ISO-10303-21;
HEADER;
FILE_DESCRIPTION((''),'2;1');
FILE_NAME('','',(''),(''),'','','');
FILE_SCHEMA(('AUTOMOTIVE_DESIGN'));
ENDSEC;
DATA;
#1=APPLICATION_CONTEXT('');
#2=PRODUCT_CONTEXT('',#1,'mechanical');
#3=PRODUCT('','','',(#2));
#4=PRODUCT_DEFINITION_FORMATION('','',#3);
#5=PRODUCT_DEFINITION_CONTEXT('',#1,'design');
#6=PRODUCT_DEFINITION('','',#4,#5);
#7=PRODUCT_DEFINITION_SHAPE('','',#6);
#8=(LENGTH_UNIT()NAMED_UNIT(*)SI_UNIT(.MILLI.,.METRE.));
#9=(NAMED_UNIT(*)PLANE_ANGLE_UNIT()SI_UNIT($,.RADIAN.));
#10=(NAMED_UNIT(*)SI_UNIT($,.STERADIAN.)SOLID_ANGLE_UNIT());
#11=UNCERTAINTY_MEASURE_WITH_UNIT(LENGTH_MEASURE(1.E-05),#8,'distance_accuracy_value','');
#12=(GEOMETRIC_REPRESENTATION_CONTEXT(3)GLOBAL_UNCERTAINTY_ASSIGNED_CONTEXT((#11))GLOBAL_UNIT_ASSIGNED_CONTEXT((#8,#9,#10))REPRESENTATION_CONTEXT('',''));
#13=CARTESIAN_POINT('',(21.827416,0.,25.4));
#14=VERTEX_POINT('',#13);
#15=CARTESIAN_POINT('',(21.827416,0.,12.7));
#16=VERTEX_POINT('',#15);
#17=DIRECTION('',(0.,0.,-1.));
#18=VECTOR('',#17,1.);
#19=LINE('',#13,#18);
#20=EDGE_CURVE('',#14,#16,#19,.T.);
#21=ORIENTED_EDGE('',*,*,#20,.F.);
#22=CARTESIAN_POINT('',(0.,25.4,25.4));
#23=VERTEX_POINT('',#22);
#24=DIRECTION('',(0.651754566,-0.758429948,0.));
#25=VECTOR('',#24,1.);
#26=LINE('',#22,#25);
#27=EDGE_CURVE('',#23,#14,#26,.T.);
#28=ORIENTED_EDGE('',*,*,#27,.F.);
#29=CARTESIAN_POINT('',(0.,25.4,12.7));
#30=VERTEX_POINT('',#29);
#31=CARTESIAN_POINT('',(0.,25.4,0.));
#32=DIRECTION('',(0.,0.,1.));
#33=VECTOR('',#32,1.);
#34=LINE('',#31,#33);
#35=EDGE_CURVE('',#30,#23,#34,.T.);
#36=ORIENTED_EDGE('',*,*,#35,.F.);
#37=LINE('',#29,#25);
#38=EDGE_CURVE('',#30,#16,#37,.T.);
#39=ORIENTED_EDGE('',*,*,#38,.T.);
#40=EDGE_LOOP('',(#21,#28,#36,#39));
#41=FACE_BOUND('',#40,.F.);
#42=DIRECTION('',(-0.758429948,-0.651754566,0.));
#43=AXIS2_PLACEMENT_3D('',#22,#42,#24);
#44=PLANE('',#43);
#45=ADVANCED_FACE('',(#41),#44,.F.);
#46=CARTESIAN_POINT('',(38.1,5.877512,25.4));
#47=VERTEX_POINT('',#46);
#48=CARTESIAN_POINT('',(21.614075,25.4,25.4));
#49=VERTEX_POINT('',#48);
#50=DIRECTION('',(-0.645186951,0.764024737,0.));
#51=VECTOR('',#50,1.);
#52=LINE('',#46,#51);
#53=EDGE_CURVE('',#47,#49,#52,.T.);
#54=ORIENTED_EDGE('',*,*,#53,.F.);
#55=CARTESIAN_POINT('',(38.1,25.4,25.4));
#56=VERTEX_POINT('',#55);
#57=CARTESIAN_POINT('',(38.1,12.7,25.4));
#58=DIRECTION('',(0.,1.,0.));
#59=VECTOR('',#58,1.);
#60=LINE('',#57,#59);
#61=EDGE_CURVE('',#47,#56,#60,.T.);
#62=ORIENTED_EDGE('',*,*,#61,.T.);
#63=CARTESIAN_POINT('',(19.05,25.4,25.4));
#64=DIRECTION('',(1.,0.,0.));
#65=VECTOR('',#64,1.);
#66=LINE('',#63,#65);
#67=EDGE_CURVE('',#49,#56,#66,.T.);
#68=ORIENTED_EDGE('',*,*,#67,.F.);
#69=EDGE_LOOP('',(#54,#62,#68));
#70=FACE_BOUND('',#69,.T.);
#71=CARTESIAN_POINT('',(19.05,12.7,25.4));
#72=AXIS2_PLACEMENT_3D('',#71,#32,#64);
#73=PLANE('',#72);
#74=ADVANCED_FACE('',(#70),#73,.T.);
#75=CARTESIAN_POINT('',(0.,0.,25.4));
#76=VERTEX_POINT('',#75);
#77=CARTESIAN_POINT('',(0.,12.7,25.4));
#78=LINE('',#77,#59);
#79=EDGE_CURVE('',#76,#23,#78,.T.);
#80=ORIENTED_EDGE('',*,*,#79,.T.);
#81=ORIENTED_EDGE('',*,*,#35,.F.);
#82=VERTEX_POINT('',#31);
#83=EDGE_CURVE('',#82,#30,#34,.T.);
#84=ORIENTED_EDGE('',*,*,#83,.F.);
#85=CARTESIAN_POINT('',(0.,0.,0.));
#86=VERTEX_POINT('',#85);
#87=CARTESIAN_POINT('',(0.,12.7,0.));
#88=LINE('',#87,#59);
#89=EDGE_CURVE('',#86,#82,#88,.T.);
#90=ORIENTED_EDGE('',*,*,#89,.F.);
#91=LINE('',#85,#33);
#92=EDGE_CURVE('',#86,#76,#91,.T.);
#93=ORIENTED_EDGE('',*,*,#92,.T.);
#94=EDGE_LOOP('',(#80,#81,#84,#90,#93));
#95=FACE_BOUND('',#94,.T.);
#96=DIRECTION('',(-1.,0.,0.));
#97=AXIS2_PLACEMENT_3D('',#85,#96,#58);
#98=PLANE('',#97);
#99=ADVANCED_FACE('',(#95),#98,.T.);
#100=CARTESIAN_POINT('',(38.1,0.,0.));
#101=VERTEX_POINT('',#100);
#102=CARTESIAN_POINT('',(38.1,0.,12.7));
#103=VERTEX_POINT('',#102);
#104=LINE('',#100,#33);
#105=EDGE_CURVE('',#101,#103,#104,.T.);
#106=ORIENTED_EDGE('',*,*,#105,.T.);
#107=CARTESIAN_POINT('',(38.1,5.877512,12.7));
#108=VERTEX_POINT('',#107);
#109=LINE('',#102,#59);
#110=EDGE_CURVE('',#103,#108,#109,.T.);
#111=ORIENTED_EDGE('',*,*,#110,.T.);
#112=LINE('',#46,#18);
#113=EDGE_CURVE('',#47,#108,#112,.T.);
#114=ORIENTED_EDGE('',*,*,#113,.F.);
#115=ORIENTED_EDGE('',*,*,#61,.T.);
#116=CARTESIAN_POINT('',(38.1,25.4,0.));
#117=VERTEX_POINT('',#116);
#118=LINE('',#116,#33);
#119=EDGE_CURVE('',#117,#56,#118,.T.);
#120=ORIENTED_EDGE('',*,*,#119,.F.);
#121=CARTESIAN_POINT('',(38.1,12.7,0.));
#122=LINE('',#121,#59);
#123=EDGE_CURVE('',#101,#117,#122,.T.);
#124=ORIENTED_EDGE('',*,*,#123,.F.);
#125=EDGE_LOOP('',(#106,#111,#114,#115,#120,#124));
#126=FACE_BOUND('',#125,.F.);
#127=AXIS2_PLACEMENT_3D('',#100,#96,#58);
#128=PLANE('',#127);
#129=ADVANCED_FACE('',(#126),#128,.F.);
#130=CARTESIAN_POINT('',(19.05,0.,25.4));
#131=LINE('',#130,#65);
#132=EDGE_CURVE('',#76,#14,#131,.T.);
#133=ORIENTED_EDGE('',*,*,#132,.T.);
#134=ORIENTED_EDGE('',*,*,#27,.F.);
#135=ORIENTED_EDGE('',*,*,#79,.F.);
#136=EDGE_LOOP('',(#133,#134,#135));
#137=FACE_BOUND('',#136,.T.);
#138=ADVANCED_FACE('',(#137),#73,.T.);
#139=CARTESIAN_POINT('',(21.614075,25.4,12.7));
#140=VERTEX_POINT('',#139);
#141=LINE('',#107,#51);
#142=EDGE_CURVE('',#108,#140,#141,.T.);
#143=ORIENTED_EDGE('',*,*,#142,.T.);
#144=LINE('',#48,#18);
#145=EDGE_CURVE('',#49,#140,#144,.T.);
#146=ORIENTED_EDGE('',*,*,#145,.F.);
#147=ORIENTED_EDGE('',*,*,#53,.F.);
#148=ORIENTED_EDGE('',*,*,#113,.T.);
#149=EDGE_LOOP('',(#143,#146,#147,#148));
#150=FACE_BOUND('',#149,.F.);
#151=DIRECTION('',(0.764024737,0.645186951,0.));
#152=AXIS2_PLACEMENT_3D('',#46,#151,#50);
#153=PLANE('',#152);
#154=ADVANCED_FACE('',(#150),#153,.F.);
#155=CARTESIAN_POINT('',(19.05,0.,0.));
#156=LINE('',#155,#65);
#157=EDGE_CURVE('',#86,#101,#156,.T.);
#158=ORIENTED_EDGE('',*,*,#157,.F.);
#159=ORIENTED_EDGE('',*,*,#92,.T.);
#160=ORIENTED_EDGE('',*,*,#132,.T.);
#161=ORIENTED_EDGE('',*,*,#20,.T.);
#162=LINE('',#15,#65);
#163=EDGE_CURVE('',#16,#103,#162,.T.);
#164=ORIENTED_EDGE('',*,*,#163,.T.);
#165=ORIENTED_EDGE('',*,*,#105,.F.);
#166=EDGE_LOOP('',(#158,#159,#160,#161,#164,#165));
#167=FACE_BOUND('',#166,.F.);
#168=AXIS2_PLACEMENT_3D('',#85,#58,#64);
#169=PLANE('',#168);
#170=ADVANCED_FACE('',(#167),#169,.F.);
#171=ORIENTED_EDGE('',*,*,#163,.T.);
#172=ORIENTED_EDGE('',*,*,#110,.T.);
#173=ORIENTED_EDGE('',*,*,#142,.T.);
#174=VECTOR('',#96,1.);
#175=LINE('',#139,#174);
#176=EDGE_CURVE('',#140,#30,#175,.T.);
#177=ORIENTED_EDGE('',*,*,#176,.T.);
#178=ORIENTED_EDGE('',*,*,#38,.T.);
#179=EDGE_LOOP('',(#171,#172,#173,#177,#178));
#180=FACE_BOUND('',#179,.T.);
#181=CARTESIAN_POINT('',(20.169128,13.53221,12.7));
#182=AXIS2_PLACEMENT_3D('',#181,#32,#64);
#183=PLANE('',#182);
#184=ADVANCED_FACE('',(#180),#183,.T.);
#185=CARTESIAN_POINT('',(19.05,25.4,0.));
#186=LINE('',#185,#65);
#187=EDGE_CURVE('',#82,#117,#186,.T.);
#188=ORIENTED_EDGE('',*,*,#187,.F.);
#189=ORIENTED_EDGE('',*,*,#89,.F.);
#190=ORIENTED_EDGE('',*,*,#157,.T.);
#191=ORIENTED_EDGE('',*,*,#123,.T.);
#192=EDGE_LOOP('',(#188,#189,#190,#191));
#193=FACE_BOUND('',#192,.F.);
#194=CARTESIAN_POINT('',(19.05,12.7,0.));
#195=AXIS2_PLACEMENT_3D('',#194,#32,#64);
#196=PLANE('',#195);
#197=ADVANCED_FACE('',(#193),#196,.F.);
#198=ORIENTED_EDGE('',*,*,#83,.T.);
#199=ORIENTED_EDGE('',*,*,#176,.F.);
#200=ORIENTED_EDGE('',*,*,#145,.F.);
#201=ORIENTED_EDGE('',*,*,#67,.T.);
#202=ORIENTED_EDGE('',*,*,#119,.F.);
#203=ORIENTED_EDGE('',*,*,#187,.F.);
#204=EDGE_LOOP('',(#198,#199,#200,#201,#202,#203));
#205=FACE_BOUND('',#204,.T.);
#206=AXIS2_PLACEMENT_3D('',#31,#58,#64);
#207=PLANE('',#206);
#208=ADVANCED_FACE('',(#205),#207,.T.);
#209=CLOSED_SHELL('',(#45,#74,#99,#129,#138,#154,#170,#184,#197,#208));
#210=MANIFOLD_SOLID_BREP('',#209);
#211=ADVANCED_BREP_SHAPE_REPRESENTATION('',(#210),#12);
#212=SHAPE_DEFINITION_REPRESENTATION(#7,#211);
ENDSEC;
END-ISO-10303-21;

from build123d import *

# Parameters (mm, degrees)
F0_W     = 38.1
F0_H     = 25.4
F1_DEPTH = 25.4
F3_DEPTH = 12.7


with BuildPart() as f1:
    # F0 (on Top) → F1 (new body)
    with BuildSketch(Plane.XY):
        with Locations((19.05, 12.7)):
            Rectangle(F0_W, F0_H)
    extrude(amount=F1_DEPTH)

    # F2 (on face) → F3 (cut)
    with BuildSketch(Plane.XY.offset(25.4)):
        Polygon((21.614075, 25.4), (0, 25.4), (21.827416, 0), (38.1, 0), (38.1, 5.877512), align=None)
    extrude(amount=-F3_DEPTH, mode=Mode.SUBTRACT)


solid = f1.part
